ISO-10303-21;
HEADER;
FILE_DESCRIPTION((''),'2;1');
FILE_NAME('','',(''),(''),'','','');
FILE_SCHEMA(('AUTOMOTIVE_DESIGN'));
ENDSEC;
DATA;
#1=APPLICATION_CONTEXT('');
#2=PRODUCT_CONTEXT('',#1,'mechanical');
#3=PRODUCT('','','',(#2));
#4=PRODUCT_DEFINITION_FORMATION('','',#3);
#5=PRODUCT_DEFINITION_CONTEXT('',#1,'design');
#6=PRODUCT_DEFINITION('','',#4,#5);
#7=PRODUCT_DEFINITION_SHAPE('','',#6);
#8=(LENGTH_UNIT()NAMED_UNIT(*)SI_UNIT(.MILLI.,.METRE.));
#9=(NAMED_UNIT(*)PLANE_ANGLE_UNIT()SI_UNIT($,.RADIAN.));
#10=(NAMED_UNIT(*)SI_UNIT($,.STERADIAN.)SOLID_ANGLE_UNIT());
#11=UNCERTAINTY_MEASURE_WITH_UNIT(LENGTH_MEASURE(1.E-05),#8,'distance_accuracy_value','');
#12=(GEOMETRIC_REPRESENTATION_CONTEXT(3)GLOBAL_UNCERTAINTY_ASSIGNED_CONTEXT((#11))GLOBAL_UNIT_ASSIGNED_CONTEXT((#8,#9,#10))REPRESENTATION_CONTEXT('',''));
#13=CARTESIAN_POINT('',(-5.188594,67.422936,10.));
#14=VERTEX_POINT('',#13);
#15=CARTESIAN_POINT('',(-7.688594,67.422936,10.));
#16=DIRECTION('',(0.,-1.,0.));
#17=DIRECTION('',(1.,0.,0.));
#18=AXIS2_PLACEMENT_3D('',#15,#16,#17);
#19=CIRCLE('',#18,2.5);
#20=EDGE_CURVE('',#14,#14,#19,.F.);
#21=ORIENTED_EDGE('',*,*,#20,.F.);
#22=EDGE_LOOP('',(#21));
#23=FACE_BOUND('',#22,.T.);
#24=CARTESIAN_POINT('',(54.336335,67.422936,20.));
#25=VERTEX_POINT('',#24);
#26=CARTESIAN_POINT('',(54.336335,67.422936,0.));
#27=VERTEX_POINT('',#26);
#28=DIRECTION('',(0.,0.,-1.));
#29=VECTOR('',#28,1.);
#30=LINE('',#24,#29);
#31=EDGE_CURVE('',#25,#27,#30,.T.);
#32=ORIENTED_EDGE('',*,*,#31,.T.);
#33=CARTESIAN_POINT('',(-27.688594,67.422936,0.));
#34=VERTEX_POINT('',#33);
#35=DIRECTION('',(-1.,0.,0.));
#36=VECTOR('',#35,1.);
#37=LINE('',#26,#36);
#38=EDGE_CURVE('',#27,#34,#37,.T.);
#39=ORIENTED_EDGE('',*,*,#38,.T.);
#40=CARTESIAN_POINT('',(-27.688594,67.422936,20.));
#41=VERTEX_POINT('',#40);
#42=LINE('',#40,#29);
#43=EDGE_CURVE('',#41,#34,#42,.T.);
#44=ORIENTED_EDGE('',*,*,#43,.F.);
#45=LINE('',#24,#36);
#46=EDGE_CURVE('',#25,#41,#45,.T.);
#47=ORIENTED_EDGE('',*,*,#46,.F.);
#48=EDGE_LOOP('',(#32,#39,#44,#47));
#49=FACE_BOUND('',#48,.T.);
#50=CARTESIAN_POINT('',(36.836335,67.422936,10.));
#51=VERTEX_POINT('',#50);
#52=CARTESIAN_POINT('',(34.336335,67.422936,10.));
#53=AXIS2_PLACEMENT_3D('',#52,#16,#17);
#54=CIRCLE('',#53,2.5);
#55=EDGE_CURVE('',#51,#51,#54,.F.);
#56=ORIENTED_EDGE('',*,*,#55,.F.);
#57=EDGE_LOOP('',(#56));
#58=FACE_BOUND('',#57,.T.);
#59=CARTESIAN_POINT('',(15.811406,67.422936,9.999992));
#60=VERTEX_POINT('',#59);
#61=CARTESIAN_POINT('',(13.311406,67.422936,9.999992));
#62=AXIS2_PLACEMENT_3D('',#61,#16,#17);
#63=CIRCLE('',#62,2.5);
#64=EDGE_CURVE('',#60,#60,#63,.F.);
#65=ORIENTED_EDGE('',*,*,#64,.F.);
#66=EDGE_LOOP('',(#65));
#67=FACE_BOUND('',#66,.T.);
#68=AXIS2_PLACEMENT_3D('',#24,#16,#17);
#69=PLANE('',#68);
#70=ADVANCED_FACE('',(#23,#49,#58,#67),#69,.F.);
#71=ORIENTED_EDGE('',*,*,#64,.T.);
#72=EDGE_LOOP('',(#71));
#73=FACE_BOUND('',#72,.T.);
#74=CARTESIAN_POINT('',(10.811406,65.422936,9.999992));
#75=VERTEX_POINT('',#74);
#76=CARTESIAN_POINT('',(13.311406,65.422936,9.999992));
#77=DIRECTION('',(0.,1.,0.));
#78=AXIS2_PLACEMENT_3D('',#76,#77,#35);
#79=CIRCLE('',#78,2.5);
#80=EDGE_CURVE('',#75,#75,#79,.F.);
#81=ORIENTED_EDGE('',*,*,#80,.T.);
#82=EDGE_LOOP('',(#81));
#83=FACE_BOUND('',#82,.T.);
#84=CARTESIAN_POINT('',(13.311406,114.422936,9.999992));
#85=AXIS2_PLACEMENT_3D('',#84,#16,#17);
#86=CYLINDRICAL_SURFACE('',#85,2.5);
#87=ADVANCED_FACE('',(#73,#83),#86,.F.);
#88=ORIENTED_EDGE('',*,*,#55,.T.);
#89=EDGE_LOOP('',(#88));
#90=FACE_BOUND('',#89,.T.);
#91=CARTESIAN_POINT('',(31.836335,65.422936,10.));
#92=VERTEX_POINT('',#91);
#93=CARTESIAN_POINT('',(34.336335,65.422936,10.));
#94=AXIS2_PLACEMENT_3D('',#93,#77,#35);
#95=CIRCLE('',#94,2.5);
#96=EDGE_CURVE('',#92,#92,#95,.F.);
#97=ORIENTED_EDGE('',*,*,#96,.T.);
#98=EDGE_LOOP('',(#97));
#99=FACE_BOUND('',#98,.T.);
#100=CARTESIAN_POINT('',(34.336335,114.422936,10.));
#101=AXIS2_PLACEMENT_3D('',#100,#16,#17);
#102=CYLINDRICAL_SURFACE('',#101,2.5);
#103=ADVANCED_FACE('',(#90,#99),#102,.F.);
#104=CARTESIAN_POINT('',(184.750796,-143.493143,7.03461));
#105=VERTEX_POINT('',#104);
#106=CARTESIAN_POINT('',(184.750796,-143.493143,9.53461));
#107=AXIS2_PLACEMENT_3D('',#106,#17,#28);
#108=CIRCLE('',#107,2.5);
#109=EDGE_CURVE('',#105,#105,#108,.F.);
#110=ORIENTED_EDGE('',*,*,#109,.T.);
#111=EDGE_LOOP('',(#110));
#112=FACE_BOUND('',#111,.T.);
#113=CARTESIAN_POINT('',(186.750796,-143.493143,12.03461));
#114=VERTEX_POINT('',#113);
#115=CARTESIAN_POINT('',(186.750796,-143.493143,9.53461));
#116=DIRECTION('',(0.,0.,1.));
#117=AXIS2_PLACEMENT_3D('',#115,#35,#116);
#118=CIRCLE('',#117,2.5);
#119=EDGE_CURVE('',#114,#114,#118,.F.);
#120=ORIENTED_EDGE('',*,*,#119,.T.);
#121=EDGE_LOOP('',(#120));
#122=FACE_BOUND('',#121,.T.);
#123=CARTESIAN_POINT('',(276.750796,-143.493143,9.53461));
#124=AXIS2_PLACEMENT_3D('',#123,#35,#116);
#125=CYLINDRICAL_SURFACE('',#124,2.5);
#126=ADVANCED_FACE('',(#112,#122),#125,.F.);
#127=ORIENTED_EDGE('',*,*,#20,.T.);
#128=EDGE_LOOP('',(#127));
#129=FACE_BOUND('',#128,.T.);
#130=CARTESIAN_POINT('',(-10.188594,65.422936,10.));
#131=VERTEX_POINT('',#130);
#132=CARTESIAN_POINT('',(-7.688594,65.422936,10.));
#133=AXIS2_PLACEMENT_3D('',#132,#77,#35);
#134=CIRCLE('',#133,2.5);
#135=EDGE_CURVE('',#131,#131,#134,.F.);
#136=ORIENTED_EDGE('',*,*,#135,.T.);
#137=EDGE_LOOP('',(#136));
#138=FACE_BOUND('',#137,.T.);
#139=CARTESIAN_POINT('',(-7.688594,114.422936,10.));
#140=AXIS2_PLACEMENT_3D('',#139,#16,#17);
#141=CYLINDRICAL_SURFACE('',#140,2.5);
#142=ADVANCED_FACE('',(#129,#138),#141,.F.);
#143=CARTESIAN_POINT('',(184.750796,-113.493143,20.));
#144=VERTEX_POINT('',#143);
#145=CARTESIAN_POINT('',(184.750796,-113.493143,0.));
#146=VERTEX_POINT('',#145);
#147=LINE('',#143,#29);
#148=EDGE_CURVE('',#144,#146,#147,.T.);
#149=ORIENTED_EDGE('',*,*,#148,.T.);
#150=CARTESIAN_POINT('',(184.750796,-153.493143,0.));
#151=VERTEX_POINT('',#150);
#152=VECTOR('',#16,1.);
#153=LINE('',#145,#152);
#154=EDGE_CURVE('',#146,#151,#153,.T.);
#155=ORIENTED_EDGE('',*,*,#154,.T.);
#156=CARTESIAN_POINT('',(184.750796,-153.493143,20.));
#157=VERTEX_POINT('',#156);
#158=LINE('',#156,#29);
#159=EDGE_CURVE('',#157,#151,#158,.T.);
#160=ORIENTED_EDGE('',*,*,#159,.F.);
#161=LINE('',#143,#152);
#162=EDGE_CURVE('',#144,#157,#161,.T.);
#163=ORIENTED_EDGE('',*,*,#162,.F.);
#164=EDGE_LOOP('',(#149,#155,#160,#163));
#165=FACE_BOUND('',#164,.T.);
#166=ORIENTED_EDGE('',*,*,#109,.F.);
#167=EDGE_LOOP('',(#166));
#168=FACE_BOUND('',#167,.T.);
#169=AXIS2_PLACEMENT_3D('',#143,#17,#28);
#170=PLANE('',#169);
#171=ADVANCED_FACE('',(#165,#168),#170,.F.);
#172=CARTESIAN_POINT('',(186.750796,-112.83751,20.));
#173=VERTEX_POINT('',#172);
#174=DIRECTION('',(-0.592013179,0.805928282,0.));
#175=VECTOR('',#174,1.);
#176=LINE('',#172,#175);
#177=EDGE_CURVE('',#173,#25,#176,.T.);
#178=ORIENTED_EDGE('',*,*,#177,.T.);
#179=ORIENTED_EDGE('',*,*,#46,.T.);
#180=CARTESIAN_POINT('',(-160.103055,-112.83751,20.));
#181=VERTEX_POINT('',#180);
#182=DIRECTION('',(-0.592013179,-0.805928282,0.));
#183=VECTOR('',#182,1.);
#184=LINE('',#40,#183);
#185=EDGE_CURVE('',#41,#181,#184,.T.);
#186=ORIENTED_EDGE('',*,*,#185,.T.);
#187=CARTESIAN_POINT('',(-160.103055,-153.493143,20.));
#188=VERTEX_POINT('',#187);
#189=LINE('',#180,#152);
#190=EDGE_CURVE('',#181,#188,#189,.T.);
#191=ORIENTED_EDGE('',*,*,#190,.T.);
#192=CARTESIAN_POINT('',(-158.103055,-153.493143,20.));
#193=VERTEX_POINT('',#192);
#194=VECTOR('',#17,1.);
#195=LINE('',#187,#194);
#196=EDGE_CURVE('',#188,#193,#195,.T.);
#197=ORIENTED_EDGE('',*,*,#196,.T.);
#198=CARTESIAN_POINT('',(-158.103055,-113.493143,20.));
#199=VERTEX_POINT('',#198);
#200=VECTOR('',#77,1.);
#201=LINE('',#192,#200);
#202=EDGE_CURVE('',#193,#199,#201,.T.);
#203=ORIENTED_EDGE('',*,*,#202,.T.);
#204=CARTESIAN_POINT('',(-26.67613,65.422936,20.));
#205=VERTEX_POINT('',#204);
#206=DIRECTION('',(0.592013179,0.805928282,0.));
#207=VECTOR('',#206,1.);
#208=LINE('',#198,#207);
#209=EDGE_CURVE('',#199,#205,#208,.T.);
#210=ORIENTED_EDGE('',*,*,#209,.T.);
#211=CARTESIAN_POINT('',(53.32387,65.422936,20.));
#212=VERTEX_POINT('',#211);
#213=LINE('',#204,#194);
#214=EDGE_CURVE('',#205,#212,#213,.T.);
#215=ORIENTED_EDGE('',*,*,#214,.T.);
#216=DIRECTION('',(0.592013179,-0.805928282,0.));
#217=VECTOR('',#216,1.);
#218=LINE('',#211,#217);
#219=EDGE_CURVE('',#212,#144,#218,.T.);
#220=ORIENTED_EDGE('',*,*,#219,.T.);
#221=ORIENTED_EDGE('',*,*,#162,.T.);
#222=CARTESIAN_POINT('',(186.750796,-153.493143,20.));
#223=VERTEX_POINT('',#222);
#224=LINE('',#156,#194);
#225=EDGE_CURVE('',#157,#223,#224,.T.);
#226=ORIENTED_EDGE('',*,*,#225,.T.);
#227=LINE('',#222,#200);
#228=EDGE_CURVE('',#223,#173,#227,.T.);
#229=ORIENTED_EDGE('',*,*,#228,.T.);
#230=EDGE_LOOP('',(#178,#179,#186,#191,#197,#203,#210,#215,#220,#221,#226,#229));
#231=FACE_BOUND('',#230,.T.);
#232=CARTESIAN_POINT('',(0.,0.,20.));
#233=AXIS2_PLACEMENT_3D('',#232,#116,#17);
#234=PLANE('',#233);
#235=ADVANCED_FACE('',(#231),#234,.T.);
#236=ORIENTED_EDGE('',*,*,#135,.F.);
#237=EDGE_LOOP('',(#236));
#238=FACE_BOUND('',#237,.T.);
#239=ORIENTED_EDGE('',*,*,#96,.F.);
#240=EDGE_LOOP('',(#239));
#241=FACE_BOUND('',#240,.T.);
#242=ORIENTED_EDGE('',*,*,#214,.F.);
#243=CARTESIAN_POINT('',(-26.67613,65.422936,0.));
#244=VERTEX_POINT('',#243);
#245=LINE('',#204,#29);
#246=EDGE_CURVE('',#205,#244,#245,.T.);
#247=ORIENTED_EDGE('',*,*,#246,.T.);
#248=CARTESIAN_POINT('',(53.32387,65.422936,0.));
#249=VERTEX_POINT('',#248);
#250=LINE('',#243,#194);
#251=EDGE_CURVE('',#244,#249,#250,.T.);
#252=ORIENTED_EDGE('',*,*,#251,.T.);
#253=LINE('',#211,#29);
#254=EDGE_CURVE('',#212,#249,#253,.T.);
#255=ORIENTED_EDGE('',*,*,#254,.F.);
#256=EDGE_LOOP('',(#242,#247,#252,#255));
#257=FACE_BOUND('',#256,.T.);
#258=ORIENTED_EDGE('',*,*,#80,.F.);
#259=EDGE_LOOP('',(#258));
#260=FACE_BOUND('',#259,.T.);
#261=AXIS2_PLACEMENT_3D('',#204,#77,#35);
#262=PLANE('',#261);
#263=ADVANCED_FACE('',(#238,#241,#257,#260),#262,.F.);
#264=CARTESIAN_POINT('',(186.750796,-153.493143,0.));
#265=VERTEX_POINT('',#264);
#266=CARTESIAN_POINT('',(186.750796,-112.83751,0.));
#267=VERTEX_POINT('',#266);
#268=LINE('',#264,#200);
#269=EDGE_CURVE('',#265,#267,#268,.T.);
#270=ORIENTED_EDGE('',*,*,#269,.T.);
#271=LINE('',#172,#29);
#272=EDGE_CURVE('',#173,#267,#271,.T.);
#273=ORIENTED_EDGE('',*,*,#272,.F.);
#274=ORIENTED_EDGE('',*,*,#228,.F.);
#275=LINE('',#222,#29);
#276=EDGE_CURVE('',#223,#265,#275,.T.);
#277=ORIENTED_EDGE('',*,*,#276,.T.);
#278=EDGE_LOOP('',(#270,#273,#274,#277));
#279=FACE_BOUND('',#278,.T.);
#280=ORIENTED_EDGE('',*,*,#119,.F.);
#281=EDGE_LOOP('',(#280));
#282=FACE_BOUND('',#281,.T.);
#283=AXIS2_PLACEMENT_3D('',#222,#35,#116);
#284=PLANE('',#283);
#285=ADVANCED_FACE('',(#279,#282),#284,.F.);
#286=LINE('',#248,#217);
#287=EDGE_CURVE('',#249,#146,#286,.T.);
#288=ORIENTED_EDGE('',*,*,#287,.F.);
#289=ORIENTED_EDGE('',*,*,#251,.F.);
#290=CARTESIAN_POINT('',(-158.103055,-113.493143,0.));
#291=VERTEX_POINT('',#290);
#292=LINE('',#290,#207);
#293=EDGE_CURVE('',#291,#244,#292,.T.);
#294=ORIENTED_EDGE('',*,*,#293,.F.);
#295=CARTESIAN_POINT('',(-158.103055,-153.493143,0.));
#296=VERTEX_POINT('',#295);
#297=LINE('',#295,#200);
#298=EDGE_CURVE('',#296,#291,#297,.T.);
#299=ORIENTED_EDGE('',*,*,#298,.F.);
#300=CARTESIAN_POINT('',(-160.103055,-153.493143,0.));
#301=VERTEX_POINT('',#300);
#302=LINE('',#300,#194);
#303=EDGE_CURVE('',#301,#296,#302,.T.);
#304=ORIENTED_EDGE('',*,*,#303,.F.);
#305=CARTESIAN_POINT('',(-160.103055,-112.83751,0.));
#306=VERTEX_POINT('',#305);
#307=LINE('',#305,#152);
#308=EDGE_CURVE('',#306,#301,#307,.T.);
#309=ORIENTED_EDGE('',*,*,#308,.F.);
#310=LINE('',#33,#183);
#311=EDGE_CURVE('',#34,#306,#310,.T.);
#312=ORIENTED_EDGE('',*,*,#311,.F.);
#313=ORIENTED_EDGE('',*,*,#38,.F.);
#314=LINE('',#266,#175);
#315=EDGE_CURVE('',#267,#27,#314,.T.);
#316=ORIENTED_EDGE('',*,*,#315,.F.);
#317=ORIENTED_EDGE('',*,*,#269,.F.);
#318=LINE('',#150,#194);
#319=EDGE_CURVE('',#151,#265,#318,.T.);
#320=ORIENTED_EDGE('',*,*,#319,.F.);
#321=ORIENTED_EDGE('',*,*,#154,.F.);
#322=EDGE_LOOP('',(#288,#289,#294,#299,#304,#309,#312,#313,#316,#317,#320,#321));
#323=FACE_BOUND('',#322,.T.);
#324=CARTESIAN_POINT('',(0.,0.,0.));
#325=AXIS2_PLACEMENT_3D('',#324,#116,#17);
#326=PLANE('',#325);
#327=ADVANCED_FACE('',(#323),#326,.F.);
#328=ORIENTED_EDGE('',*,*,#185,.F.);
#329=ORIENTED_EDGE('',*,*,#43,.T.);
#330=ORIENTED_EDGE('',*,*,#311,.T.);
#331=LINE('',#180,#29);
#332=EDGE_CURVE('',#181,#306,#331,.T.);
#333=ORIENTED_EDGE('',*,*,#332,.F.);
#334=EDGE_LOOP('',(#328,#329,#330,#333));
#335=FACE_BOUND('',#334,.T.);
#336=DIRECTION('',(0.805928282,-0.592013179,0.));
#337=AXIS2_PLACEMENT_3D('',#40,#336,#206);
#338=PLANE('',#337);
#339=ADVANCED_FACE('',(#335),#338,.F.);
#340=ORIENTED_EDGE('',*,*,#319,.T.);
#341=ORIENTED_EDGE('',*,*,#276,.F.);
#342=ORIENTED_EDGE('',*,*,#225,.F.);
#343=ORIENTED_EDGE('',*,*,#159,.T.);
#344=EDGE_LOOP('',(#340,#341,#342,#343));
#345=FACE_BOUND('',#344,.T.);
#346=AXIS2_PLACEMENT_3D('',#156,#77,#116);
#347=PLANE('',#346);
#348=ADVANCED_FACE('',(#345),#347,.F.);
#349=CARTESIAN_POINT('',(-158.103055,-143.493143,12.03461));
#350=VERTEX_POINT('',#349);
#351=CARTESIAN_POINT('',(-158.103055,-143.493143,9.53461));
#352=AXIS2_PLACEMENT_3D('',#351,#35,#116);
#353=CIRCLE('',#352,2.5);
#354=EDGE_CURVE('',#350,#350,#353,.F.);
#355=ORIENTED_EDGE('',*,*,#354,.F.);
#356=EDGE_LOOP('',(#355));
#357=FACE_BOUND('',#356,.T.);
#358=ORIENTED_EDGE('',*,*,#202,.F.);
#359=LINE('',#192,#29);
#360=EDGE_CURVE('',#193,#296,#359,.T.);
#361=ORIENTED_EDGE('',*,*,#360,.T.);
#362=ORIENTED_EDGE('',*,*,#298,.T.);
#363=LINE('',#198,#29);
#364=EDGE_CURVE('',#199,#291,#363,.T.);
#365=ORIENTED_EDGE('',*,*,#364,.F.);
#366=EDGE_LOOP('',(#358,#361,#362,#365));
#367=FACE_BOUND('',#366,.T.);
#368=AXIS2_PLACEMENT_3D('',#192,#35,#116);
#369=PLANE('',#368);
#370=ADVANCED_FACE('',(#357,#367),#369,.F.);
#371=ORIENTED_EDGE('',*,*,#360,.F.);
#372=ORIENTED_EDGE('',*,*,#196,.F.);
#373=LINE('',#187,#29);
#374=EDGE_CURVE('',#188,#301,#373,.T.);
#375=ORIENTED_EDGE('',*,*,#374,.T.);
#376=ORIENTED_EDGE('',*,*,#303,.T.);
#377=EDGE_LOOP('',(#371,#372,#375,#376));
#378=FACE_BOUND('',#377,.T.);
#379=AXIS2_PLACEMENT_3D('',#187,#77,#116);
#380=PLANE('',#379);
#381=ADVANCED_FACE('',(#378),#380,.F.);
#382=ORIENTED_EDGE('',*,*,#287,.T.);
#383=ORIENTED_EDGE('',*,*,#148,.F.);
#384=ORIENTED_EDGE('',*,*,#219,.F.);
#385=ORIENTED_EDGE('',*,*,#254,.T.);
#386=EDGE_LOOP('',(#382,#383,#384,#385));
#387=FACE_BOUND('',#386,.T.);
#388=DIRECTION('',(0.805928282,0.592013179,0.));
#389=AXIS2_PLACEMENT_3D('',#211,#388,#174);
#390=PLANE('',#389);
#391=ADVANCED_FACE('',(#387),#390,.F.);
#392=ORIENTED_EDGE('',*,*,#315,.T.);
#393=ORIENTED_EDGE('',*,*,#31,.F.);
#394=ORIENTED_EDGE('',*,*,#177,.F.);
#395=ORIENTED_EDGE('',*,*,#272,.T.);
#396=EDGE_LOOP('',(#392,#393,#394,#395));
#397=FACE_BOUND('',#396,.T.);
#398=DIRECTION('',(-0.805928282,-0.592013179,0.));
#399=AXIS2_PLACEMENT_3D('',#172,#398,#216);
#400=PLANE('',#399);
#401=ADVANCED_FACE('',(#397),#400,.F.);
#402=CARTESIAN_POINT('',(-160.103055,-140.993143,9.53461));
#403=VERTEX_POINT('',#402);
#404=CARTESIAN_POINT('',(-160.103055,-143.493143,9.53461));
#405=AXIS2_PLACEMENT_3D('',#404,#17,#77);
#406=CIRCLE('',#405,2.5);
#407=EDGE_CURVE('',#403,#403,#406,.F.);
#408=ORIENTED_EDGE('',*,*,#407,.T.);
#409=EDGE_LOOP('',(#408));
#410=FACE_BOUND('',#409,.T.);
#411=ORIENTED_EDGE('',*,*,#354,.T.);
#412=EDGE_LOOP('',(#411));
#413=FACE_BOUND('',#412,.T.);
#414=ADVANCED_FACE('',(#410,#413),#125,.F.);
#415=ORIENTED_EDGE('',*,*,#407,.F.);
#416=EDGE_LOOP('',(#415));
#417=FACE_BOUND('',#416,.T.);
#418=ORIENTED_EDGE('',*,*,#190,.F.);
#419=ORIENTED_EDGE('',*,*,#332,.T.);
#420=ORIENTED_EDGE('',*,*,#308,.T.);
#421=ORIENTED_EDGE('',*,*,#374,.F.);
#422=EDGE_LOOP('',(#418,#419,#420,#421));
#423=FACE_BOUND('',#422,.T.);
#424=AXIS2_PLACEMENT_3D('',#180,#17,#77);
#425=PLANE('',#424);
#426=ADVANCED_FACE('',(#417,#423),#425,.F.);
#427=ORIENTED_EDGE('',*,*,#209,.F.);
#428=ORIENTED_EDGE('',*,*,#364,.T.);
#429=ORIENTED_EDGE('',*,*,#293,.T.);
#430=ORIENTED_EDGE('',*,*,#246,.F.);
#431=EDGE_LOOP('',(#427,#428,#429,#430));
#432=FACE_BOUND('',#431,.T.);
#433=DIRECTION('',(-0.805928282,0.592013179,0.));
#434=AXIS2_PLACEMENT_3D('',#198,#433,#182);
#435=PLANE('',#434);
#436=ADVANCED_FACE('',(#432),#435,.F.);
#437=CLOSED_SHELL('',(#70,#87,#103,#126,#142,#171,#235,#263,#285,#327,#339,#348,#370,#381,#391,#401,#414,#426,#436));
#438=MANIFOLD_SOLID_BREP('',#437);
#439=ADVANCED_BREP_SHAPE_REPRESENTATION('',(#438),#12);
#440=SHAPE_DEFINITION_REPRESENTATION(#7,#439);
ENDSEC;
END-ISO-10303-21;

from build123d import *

# Parameters (mm, degrees)
BOSS_EXTRUDE1_DEPTH     = 20
CUT_EXTRUDE1_DEPTH      = 90
CUT_EXTRUDE1_DEPTH_BACK = 479
SKETCH10_R              = 2.5
CUT_EXTRUDE2_DEPTH      = 47
CUT_EXTRUDE2_DEPTH_BACK = 47
SKETCH11_R              = 2.5


with BuildPart() as part:
    # Sketch9 → Boss-Extrude1 (new body)
    with BuildSketch(Plane.XY):
        Polygon((-158.103055268, -153.493142729), (-158.103055268, -113.493142729), (-26.676129575, 65.42293593), (53.323870425, 65.42293593), (184.750796118, -113.493142729), (184.750796118, -153.493142729), (186.750796118, -153.493142729), (186.750796118, -112.83750963), (54.33633476, 67.42293593), (-27.68859391, 67.42293593), (-160.103055268, -112.83750963), (-160.103055268, -153.493142729), align=None)
    extrude(amount=BOSS_EXTRUDE1_DEPTH)

    # Sketch10 → Cut-Extrude1 (cut, two sides: drawn at the far end of the back side and taken through both)
    with BuildSketch(Plane(origin=(186.750796118, 0, 0), x_dir=(0, 0, -1), z_dir=(1, 0, 0)).offset(-CUT_EXTRUDE1_DEPTH_BACK)):
        with Locations((-9.534610309, -143.493142729)):
            Circle(SKETCH10_R)
    extrude(amount=CUT_EXTRUDE1_DEPTH + CUT_EXTRUDE1_DEPTH_BACK, mode=Mode.SUBTRACT)

    # Sketch11 → Cut-Extrude2 (cut, two sides: drawn at the far end of the back side and taken through both)
    with BuildSketch(Plane(origin=(0, 67.42293593, 0), x_dir=(1, 0, 0), z_dir=(0, 1, 0)).offset(-CUT_EXTRUDE2_DEPTH_BACK)):
        with Locations((-7.68859391, -10)):
            Circle(SKETCH11_R)
        with Locations((34.33633476, -10)):
            Circle(SKETCH11_R)
        with Locations((13.31140609, -9.999992232)):
            Circle(SKETCH11_R)
    extrude(amount=CUT_EXTRUDE2_DEPTH + CUT_EXTRUDE2_DEPTH_BACK, mode=Mode.SUBTRACT)


solid = part.part
